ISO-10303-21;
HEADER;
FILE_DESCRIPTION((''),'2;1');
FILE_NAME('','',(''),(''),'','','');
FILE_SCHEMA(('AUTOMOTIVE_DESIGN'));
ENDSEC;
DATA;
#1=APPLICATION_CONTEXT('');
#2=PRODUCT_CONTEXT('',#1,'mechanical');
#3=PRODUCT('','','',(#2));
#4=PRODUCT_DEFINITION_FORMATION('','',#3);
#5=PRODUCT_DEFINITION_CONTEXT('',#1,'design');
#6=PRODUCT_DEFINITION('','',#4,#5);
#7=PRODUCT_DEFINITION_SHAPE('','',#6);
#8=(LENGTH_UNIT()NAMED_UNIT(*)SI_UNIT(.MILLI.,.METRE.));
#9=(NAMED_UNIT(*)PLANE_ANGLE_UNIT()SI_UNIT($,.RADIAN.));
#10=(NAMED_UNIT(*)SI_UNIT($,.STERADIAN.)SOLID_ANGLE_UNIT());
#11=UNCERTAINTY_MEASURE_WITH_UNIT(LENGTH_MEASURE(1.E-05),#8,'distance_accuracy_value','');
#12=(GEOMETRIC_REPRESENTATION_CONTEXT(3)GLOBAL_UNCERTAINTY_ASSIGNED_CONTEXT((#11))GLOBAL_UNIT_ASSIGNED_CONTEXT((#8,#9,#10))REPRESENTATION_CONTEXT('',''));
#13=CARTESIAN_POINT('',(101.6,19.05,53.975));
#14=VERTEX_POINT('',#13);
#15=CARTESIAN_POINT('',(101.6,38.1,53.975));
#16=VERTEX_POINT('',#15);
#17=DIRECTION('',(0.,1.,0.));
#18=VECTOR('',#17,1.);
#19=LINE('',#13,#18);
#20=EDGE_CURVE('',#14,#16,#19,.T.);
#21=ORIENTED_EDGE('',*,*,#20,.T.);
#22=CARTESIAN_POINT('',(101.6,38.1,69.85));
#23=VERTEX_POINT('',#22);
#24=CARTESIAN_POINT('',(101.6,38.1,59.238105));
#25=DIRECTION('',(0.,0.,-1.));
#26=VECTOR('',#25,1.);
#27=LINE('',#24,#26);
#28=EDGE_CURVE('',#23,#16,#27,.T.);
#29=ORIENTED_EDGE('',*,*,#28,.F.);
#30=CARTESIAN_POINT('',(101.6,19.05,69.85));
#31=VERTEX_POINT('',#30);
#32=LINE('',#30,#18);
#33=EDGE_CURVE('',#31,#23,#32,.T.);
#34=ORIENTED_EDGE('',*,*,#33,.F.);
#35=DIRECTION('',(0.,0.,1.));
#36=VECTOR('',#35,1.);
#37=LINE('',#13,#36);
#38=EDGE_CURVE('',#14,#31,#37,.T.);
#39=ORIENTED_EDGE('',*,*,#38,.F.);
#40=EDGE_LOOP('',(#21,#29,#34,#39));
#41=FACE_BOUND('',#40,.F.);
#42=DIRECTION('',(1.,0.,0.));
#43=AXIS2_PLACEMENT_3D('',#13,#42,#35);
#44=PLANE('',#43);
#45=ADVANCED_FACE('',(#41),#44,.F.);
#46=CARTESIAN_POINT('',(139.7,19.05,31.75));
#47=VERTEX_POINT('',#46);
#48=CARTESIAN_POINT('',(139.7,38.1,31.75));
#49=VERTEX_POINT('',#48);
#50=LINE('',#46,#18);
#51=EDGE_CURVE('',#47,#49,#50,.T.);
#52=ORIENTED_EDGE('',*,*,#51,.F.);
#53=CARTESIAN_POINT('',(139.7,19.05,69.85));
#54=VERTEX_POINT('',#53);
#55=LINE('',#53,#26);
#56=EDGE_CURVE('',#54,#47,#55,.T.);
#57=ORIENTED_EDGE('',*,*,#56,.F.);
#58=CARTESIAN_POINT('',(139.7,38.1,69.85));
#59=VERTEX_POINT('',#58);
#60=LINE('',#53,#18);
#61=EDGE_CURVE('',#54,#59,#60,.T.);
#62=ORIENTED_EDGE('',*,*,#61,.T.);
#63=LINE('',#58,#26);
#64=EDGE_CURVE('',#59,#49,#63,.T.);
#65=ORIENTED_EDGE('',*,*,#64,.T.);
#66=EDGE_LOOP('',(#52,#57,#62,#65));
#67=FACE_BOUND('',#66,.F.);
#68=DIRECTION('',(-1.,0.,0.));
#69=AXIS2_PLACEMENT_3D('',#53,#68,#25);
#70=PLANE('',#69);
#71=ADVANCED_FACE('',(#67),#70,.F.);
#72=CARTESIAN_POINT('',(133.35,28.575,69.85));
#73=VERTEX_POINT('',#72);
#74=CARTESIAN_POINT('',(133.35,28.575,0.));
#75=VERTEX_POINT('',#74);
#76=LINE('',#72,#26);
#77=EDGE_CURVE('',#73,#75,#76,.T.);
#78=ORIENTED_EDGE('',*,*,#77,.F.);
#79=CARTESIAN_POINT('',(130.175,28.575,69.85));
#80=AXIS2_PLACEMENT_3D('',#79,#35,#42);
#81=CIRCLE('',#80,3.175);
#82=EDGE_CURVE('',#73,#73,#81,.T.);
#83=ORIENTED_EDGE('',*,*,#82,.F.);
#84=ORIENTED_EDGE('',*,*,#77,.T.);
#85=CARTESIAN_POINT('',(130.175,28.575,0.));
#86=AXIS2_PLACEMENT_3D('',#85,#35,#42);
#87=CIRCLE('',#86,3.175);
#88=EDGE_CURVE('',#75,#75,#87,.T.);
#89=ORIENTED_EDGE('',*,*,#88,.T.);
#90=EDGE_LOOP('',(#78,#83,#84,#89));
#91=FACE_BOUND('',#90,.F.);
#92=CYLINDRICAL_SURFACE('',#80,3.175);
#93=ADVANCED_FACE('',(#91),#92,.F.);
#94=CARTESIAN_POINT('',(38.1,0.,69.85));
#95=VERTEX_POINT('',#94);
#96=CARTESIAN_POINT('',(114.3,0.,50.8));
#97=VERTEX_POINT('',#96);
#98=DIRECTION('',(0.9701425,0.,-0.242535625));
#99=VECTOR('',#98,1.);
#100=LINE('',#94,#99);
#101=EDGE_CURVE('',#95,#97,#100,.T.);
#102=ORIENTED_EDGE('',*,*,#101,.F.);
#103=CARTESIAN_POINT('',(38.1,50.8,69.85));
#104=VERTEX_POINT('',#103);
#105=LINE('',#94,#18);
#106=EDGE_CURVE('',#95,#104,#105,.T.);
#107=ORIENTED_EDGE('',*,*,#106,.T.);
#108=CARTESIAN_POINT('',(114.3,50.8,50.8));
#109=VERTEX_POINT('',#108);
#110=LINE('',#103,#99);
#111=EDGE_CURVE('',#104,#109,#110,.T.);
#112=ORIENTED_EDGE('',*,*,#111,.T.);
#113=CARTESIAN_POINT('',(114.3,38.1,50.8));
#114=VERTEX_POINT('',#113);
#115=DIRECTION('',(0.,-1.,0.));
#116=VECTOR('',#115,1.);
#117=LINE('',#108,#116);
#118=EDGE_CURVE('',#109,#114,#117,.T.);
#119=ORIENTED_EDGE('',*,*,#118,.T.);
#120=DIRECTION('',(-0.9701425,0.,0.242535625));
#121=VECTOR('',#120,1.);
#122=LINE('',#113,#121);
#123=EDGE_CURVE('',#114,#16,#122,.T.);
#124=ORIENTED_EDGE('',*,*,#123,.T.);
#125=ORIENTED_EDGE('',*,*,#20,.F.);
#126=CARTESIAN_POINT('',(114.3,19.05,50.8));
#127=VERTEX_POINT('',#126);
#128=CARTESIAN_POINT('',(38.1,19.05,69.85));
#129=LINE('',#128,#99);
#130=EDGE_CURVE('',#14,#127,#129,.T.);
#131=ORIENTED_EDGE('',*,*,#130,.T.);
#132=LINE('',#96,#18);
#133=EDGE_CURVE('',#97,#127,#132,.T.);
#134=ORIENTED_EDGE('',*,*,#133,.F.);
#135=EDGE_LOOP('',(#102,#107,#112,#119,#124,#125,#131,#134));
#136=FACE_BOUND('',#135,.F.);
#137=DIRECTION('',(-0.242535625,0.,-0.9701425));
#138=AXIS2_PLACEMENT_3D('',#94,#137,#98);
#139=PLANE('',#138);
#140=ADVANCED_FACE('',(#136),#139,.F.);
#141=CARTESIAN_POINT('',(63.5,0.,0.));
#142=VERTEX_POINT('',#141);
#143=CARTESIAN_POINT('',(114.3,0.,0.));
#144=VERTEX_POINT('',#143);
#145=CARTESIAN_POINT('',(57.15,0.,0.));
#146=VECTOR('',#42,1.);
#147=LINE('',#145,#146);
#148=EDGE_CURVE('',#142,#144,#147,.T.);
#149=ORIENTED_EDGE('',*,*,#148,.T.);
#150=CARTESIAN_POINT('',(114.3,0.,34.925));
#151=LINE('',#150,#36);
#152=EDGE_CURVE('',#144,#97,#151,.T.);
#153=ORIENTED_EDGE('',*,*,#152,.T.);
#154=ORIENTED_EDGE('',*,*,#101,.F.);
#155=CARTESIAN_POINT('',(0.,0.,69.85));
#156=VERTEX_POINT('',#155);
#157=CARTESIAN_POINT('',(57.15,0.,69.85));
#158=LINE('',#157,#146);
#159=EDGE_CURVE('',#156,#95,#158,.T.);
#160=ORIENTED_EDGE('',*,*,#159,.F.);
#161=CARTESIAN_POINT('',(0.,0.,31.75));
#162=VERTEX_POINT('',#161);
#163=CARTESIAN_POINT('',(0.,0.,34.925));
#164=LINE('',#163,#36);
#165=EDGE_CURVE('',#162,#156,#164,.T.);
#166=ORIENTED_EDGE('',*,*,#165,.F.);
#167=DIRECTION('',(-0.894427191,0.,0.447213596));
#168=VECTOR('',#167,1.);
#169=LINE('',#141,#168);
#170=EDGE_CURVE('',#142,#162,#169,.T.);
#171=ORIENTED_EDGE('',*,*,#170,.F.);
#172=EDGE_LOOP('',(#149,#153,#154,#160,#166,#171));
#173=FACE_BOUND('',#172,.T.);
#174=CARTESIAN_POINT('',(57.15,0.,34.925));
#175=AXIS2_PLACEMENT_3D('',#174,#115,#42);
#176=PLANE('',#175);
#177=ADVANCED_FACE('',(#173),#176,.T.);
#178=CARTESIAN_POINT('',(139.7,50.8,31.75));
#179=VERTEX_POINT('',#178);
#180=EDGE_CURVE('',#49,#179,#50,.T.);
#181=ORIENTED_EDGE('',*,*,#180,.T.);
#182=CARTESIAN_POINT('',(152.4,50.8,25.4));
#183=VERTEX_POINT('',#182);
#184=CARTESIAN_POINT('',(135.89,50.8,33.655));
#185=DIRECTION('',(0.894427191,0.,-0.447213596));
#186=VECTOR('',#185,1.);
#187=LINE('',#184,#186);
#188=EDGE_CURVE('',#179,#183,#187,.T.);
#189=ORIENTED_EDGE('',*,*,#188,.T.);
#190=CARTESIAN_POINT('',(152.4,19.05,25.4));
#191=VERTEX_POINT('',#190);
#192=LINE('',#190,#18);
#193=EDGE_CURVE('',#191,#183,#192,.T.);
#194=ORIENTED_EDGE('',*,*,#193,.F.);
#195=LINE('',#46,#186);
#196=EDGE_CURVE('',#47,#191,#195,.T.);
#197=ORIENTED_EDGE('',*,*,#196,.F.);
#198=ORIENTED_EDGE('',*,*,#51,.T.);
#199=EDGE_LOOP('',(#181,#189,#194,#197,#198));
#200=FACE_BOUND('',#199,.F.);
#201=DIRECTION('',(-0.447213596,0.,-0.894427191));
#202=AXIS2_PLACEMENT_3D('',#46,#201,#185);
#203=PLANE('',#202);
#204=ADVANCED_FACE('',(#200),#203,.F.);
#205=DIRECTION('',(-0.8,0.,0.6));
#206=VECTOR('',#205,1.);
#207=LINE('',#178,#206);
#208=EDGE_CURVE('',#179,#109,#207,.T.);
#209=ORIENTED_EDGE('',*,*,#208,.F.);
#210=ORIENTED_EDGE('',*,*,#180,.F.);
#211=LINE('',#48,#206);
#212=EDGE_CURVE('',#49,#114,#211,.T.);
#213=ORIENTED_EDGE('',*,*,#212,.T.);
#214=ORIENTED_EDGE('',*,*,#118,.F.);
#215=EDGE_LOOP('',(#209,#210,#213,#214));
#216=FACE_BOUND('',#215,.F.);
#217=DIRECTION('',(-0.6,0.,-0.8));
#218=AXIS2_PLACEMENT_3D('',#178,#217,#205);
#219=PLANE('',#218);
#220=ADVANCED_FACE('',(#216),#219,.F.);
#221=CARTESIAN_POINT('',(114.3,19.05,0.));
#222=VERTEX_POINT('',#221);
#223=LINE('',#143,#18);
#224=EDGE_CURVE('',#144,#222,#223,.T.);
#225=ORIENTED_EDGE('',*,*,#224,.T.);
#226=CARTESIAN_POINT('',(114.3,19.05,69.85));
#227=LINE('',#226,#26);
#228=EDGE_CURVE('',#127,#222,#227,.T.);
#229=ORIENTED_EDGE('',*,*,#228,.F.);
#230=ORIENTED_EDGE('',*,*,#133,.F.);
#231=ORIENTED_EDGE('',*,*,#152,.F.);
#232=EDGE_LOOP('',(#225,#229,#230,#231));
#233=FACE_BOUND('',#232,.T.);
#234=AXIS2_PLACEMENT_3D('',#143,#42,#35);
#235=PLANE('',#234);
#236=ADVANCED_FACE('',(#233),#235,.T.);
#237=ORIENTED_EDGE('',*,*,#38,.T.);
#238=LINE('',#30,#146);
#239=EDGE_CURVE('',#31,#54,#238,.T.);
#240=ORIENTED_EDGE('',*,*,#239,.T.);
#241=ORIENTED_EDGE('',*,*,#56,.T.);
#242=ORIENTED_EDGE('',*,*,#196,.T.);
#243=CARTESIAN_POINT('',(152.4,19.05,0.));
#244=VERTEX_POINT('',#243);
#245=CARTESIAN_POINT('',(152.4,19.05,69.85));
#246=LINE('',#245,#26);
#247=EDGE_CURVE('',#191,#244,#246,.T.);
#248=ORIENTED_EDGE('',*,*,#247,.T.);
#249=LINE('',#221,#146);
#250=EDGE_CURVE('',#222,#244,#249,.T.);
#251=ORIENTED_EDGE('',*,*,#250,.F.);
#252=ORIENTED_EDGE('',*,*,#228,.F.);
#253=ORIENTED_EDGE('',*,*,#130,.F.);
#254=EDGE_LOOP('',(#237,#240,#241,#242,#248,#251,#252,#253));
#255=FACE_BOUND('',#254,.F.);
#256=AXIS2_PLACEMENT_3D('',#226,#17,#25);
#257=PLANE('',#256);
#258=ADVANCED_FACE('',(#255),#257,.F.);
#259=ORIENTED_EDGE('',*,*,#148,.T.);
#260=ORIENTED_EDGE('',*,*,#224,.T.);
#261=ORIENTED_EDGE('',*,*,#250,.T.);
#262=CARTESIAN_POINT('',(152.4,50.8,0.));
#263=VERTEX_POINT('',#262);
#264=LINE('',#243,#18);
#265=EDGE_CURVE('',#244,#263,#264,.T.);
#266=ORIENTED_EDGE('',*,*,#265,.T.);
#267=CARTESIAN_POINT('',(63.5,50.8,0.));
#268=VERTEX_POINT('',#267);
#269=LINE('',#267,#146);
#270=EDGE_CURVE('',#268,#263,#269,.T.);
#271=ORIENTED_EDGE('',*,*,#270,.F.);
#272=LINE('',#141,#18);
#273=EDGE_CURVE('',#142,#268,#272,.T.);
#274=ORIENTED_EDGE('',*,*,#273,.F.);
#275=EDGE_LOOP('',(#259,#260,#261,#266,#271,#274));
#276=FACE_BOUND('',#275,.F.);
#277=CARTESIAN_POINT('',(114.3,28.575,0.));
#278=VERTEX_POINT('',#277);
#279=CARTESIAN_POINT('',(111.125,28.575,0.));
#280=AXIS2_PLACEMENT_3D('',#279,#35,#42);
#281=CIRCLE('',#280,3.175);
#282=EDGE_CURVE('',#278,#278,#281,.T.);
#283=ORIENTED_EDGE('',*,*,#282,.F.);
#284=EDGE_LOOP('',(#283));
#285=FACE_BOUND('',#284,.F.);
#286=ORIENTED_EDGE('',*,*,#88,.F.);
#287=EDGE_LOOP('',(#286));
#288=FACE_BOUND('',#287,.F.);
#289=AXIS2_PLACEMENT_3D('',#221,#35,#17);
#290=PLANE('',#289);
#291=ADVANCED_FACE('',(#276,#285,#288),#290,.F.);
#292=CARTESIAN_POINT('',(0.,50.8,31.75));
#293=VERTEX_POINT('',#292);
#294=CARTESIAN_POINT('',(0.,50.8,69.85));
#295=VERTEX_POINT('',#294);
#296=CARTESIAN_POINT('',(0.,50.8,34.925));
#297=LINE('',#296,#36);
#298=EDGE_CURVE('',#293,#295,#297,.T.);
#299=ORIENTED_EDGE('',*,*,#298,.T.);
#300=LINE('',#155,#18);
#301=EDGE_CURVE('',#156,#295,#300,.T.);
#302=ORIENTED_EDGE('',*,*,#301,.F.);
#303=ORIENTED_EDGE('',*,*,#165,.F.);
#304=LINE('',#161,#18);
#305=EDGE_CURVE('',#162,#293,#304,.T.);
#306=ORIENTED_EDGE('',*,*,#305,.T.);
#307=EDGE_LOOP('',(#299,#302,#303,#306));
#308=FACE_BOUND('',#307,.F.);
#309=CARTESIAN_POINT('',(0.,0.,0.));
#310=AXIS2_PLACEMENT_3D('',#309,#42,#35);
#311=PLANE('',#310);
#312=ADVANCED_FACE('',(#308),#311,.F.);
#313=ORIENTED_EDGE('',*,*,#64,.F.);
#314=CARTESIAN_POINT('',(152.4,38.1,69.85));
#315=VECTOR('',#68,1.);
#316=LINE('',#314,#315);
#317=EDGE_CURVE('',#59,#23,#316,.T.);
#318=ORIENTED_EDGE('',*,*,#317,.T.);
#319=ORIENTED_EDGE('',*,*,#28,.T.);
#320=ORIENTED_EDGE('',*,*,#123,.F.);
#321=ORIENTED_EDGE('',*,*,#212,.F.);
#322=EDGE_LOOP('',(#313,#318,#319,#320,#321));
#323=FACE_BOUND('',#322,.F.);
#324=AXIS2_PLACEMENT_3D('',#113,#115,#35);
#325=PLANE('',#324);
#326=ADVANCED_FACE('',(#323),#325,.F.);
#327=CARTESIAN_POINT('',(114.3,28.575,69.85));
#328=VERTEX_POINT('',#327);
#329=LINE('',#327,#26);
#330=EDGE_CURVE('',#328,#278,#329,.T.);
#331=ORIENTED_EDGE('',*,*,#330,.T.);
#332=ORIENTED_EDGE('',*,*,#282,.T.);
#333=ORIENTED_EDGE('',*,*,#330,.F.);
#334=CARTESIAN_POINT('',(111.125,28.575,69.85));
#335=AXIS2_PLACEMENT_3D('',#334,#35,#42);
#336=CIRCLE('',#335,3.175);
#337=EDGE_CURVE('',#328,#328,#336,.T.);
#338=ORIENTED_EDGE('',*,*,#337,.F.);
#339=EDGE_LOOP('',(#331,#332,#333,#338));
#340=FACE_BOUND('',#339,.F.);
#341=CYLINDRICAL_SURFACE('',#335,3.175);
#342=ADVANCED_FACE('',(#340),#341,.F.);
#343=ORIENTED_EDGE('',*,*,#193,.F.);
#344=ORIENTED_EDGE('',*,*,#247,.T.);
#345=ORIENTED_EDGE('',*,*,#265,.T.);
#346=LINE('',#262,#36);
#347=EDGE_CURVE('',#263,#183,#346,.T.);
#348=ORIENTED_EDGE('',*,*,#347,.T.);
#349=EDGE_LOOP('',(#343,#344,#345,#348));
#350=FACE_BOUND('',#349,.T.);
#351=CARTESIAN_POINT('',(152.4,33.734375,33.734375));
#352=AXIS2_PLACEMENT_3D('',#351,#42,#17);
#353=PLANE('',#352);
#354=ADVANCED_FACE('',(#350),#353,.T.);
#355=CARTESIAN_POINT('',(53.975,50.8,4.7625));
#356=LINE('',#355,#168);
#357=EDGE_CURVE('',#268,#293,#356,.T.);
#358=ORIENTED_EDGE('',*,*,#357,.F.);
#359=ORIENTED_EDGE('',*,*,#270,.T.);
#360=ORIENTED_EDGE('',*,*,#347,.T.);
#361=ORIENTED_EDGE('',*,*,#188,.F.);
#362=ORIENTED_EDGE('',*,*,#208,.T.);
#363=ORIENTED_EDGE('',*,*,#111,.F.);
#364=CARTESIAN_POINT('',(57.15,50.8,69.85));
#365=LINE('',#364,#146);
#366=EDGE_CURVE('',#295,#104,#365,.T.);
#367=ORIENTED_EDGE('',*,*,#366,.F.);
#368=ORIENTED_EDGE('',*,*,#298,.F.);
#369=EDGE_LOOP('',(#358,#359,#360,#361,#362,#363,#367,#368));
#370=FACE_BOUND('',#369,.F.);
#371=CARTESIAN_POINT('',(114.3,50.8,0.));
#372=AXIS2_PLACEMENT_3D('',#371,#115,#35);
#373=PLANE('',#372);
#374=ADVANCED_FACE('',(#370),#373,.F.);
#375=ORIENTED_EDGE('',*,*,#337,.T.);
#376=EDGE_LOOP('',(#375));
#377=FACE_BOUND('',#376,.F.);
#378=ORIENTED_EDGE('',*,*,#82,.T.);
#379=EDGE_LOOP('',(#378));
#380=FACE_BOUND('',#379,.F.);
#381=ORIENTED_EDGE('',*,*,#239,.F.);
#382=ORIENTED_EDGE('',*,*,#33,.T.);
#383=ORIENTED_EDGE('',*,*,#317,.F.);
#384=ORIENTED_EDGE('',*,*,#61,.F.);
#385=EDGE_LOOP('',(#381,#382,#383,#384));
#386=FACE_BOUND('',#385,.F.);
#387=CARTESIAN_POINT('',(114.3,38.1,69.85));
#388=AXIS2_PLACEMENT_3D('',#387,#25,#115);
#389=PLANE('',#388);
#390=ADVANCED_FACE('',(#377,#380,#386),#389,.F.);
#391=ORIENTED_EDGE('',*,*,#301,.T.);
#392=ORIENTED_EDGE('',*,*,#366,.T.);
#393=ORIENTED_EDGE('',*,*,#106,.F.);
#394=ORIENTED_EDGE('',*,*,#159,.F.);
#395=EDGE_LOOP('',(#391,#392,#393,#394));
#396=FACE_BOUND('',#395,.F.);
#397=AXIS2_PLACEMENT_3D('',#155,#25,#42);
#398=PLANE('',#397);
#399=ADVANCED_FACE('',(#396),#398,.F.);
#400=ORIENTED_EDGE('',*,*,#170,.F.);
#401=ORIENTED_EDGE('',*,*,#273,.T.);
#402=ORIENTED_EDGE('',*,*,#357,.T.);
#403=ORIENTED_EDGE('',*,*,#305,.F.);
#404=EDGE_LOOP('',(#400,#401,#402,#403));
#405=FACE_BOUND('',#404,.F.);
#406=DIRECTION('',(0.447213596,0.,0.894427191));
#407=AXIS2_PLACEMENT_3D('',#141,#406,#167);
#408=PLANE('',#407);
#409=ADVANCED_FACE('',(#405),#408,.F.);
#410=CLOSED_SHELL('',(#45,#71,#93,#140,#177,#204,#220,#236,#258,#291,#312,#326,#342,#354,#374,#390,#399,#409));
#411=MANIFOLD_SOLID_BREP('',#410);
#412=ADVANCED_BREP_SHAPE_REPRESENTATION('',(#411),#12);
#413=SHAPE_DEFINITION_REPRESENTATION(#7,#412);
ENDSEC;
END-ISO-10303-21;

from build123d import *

# Parameters (mm, degrees)
F0_W      = 114.3
F0_H      = 69.85
F1_DEPTH  = 50.8
F3_DEPTH  = 76.2
F4_DEPTH  = 19.05
F6_DEPTH  = 12.7
F8_DEPTH  = 76.2
F10_DEPTH = 38.1
F12_DEPTH = 76.2
F14_DEPTH = 12.7
F15_R     = 3.175
F16_DEPTH = 76.2


with BuildPart() as f1:
    # F0 (on Front) → F1 (new body)
    with BuildSketch(Plane.XZ):
        with Locations((57.15, 34.925)):
            Rectangle(F0_W, F0_H)
    extrude(amount=-F1_DEPTH)

    # F2 (on face) → F3 (cut)
    with BuildSketch(Plane.XZ):
        Polygon((0, 0), (63.5, 0), (0, 31.75), align=None)
    extrude(amount=-F3_DEPTH, mode=Mode.SUBTRACT)

    # F2 (on face) → F4 (cut)
    with BuildSketch(Plane.XZ):
        Polygon((38.1, 69.85), (114.3, 50.8), (114.3, 69.85), align=None)
    extrude(amount=-F4_DEPTH, mode=Mode.SUBTRACT)

    # F5 (on face) → F6 (cut)
    with BuildSketch(Plane(origin=(0, 50.8, 0), x_dir=(-1, 0, 0), z_dir=(0, 1, 0))):
        Polygon((-114.3, 50.8), (-38.1, 69.85), (-114.3, 69.85), align=None)
    extrude(amount=-F6_DEPTH, mode=Mode.SUBTRACT)

    # F7 (on face) → F8 (cut)
    with BuildSketch(Plane.XZ.offset(-19.05)):
        Polygon((101.6, 53.975), (101.6, 69.85), (38.1, 69.85), align=None)
    extrude(amount=-F8_DEPTH, mode=Mode.SUBTRACT)

    # F9 (on face) → F10 (join)
    with BuildSketch(Plane.YZ.offset(114.3)):
        Polygon((38.1, 69.85), (19.05, 69.85), (19.05, 50.8), (19.05, 0), (50.8, 0), (50.8, 50.8), (38.1, 50.8), align=None)
    extrude(amount=F10_DEPTH)

    # F11 (on face) → F12 (cut)
    with BuildSketch(Plane.XZ.offset(-19.05)):
        Polygon((139.7, 69.85), (139.7, 31.75), (152.4, 25.4), (152.4, 69.85), align=None)
    extrude(amount=-F12_DEPTH, mode=Mode.SUBTRACT)

    # F13 (on face) → F14 (cut)
    with BuildSketch(Plane(origin=(0, 50.8, 0), x_dir=(-1, 0, 0), z_dir=(0, 1, 0))):
        Polygon((-139.7, 31.75), (-114.3, 50.8), (-139.7, 50.8), align=None)
    extrude(amount=-F14_DEPTH, mode=Mode.SUBTRACT)

    # F15 (on face) → F16 (cut)
    with BuildSketch(Plane.XY.offset(69.85)):
        with Locations((111.125, 28.575)):
            Circle(F15_R)
        with Locations((130.175, 28.575)):
            Circle(F15_R)
    extrude(amount=-F16_DEPTH, mode=Mode.SUBTRACT)


solid = f1.part
